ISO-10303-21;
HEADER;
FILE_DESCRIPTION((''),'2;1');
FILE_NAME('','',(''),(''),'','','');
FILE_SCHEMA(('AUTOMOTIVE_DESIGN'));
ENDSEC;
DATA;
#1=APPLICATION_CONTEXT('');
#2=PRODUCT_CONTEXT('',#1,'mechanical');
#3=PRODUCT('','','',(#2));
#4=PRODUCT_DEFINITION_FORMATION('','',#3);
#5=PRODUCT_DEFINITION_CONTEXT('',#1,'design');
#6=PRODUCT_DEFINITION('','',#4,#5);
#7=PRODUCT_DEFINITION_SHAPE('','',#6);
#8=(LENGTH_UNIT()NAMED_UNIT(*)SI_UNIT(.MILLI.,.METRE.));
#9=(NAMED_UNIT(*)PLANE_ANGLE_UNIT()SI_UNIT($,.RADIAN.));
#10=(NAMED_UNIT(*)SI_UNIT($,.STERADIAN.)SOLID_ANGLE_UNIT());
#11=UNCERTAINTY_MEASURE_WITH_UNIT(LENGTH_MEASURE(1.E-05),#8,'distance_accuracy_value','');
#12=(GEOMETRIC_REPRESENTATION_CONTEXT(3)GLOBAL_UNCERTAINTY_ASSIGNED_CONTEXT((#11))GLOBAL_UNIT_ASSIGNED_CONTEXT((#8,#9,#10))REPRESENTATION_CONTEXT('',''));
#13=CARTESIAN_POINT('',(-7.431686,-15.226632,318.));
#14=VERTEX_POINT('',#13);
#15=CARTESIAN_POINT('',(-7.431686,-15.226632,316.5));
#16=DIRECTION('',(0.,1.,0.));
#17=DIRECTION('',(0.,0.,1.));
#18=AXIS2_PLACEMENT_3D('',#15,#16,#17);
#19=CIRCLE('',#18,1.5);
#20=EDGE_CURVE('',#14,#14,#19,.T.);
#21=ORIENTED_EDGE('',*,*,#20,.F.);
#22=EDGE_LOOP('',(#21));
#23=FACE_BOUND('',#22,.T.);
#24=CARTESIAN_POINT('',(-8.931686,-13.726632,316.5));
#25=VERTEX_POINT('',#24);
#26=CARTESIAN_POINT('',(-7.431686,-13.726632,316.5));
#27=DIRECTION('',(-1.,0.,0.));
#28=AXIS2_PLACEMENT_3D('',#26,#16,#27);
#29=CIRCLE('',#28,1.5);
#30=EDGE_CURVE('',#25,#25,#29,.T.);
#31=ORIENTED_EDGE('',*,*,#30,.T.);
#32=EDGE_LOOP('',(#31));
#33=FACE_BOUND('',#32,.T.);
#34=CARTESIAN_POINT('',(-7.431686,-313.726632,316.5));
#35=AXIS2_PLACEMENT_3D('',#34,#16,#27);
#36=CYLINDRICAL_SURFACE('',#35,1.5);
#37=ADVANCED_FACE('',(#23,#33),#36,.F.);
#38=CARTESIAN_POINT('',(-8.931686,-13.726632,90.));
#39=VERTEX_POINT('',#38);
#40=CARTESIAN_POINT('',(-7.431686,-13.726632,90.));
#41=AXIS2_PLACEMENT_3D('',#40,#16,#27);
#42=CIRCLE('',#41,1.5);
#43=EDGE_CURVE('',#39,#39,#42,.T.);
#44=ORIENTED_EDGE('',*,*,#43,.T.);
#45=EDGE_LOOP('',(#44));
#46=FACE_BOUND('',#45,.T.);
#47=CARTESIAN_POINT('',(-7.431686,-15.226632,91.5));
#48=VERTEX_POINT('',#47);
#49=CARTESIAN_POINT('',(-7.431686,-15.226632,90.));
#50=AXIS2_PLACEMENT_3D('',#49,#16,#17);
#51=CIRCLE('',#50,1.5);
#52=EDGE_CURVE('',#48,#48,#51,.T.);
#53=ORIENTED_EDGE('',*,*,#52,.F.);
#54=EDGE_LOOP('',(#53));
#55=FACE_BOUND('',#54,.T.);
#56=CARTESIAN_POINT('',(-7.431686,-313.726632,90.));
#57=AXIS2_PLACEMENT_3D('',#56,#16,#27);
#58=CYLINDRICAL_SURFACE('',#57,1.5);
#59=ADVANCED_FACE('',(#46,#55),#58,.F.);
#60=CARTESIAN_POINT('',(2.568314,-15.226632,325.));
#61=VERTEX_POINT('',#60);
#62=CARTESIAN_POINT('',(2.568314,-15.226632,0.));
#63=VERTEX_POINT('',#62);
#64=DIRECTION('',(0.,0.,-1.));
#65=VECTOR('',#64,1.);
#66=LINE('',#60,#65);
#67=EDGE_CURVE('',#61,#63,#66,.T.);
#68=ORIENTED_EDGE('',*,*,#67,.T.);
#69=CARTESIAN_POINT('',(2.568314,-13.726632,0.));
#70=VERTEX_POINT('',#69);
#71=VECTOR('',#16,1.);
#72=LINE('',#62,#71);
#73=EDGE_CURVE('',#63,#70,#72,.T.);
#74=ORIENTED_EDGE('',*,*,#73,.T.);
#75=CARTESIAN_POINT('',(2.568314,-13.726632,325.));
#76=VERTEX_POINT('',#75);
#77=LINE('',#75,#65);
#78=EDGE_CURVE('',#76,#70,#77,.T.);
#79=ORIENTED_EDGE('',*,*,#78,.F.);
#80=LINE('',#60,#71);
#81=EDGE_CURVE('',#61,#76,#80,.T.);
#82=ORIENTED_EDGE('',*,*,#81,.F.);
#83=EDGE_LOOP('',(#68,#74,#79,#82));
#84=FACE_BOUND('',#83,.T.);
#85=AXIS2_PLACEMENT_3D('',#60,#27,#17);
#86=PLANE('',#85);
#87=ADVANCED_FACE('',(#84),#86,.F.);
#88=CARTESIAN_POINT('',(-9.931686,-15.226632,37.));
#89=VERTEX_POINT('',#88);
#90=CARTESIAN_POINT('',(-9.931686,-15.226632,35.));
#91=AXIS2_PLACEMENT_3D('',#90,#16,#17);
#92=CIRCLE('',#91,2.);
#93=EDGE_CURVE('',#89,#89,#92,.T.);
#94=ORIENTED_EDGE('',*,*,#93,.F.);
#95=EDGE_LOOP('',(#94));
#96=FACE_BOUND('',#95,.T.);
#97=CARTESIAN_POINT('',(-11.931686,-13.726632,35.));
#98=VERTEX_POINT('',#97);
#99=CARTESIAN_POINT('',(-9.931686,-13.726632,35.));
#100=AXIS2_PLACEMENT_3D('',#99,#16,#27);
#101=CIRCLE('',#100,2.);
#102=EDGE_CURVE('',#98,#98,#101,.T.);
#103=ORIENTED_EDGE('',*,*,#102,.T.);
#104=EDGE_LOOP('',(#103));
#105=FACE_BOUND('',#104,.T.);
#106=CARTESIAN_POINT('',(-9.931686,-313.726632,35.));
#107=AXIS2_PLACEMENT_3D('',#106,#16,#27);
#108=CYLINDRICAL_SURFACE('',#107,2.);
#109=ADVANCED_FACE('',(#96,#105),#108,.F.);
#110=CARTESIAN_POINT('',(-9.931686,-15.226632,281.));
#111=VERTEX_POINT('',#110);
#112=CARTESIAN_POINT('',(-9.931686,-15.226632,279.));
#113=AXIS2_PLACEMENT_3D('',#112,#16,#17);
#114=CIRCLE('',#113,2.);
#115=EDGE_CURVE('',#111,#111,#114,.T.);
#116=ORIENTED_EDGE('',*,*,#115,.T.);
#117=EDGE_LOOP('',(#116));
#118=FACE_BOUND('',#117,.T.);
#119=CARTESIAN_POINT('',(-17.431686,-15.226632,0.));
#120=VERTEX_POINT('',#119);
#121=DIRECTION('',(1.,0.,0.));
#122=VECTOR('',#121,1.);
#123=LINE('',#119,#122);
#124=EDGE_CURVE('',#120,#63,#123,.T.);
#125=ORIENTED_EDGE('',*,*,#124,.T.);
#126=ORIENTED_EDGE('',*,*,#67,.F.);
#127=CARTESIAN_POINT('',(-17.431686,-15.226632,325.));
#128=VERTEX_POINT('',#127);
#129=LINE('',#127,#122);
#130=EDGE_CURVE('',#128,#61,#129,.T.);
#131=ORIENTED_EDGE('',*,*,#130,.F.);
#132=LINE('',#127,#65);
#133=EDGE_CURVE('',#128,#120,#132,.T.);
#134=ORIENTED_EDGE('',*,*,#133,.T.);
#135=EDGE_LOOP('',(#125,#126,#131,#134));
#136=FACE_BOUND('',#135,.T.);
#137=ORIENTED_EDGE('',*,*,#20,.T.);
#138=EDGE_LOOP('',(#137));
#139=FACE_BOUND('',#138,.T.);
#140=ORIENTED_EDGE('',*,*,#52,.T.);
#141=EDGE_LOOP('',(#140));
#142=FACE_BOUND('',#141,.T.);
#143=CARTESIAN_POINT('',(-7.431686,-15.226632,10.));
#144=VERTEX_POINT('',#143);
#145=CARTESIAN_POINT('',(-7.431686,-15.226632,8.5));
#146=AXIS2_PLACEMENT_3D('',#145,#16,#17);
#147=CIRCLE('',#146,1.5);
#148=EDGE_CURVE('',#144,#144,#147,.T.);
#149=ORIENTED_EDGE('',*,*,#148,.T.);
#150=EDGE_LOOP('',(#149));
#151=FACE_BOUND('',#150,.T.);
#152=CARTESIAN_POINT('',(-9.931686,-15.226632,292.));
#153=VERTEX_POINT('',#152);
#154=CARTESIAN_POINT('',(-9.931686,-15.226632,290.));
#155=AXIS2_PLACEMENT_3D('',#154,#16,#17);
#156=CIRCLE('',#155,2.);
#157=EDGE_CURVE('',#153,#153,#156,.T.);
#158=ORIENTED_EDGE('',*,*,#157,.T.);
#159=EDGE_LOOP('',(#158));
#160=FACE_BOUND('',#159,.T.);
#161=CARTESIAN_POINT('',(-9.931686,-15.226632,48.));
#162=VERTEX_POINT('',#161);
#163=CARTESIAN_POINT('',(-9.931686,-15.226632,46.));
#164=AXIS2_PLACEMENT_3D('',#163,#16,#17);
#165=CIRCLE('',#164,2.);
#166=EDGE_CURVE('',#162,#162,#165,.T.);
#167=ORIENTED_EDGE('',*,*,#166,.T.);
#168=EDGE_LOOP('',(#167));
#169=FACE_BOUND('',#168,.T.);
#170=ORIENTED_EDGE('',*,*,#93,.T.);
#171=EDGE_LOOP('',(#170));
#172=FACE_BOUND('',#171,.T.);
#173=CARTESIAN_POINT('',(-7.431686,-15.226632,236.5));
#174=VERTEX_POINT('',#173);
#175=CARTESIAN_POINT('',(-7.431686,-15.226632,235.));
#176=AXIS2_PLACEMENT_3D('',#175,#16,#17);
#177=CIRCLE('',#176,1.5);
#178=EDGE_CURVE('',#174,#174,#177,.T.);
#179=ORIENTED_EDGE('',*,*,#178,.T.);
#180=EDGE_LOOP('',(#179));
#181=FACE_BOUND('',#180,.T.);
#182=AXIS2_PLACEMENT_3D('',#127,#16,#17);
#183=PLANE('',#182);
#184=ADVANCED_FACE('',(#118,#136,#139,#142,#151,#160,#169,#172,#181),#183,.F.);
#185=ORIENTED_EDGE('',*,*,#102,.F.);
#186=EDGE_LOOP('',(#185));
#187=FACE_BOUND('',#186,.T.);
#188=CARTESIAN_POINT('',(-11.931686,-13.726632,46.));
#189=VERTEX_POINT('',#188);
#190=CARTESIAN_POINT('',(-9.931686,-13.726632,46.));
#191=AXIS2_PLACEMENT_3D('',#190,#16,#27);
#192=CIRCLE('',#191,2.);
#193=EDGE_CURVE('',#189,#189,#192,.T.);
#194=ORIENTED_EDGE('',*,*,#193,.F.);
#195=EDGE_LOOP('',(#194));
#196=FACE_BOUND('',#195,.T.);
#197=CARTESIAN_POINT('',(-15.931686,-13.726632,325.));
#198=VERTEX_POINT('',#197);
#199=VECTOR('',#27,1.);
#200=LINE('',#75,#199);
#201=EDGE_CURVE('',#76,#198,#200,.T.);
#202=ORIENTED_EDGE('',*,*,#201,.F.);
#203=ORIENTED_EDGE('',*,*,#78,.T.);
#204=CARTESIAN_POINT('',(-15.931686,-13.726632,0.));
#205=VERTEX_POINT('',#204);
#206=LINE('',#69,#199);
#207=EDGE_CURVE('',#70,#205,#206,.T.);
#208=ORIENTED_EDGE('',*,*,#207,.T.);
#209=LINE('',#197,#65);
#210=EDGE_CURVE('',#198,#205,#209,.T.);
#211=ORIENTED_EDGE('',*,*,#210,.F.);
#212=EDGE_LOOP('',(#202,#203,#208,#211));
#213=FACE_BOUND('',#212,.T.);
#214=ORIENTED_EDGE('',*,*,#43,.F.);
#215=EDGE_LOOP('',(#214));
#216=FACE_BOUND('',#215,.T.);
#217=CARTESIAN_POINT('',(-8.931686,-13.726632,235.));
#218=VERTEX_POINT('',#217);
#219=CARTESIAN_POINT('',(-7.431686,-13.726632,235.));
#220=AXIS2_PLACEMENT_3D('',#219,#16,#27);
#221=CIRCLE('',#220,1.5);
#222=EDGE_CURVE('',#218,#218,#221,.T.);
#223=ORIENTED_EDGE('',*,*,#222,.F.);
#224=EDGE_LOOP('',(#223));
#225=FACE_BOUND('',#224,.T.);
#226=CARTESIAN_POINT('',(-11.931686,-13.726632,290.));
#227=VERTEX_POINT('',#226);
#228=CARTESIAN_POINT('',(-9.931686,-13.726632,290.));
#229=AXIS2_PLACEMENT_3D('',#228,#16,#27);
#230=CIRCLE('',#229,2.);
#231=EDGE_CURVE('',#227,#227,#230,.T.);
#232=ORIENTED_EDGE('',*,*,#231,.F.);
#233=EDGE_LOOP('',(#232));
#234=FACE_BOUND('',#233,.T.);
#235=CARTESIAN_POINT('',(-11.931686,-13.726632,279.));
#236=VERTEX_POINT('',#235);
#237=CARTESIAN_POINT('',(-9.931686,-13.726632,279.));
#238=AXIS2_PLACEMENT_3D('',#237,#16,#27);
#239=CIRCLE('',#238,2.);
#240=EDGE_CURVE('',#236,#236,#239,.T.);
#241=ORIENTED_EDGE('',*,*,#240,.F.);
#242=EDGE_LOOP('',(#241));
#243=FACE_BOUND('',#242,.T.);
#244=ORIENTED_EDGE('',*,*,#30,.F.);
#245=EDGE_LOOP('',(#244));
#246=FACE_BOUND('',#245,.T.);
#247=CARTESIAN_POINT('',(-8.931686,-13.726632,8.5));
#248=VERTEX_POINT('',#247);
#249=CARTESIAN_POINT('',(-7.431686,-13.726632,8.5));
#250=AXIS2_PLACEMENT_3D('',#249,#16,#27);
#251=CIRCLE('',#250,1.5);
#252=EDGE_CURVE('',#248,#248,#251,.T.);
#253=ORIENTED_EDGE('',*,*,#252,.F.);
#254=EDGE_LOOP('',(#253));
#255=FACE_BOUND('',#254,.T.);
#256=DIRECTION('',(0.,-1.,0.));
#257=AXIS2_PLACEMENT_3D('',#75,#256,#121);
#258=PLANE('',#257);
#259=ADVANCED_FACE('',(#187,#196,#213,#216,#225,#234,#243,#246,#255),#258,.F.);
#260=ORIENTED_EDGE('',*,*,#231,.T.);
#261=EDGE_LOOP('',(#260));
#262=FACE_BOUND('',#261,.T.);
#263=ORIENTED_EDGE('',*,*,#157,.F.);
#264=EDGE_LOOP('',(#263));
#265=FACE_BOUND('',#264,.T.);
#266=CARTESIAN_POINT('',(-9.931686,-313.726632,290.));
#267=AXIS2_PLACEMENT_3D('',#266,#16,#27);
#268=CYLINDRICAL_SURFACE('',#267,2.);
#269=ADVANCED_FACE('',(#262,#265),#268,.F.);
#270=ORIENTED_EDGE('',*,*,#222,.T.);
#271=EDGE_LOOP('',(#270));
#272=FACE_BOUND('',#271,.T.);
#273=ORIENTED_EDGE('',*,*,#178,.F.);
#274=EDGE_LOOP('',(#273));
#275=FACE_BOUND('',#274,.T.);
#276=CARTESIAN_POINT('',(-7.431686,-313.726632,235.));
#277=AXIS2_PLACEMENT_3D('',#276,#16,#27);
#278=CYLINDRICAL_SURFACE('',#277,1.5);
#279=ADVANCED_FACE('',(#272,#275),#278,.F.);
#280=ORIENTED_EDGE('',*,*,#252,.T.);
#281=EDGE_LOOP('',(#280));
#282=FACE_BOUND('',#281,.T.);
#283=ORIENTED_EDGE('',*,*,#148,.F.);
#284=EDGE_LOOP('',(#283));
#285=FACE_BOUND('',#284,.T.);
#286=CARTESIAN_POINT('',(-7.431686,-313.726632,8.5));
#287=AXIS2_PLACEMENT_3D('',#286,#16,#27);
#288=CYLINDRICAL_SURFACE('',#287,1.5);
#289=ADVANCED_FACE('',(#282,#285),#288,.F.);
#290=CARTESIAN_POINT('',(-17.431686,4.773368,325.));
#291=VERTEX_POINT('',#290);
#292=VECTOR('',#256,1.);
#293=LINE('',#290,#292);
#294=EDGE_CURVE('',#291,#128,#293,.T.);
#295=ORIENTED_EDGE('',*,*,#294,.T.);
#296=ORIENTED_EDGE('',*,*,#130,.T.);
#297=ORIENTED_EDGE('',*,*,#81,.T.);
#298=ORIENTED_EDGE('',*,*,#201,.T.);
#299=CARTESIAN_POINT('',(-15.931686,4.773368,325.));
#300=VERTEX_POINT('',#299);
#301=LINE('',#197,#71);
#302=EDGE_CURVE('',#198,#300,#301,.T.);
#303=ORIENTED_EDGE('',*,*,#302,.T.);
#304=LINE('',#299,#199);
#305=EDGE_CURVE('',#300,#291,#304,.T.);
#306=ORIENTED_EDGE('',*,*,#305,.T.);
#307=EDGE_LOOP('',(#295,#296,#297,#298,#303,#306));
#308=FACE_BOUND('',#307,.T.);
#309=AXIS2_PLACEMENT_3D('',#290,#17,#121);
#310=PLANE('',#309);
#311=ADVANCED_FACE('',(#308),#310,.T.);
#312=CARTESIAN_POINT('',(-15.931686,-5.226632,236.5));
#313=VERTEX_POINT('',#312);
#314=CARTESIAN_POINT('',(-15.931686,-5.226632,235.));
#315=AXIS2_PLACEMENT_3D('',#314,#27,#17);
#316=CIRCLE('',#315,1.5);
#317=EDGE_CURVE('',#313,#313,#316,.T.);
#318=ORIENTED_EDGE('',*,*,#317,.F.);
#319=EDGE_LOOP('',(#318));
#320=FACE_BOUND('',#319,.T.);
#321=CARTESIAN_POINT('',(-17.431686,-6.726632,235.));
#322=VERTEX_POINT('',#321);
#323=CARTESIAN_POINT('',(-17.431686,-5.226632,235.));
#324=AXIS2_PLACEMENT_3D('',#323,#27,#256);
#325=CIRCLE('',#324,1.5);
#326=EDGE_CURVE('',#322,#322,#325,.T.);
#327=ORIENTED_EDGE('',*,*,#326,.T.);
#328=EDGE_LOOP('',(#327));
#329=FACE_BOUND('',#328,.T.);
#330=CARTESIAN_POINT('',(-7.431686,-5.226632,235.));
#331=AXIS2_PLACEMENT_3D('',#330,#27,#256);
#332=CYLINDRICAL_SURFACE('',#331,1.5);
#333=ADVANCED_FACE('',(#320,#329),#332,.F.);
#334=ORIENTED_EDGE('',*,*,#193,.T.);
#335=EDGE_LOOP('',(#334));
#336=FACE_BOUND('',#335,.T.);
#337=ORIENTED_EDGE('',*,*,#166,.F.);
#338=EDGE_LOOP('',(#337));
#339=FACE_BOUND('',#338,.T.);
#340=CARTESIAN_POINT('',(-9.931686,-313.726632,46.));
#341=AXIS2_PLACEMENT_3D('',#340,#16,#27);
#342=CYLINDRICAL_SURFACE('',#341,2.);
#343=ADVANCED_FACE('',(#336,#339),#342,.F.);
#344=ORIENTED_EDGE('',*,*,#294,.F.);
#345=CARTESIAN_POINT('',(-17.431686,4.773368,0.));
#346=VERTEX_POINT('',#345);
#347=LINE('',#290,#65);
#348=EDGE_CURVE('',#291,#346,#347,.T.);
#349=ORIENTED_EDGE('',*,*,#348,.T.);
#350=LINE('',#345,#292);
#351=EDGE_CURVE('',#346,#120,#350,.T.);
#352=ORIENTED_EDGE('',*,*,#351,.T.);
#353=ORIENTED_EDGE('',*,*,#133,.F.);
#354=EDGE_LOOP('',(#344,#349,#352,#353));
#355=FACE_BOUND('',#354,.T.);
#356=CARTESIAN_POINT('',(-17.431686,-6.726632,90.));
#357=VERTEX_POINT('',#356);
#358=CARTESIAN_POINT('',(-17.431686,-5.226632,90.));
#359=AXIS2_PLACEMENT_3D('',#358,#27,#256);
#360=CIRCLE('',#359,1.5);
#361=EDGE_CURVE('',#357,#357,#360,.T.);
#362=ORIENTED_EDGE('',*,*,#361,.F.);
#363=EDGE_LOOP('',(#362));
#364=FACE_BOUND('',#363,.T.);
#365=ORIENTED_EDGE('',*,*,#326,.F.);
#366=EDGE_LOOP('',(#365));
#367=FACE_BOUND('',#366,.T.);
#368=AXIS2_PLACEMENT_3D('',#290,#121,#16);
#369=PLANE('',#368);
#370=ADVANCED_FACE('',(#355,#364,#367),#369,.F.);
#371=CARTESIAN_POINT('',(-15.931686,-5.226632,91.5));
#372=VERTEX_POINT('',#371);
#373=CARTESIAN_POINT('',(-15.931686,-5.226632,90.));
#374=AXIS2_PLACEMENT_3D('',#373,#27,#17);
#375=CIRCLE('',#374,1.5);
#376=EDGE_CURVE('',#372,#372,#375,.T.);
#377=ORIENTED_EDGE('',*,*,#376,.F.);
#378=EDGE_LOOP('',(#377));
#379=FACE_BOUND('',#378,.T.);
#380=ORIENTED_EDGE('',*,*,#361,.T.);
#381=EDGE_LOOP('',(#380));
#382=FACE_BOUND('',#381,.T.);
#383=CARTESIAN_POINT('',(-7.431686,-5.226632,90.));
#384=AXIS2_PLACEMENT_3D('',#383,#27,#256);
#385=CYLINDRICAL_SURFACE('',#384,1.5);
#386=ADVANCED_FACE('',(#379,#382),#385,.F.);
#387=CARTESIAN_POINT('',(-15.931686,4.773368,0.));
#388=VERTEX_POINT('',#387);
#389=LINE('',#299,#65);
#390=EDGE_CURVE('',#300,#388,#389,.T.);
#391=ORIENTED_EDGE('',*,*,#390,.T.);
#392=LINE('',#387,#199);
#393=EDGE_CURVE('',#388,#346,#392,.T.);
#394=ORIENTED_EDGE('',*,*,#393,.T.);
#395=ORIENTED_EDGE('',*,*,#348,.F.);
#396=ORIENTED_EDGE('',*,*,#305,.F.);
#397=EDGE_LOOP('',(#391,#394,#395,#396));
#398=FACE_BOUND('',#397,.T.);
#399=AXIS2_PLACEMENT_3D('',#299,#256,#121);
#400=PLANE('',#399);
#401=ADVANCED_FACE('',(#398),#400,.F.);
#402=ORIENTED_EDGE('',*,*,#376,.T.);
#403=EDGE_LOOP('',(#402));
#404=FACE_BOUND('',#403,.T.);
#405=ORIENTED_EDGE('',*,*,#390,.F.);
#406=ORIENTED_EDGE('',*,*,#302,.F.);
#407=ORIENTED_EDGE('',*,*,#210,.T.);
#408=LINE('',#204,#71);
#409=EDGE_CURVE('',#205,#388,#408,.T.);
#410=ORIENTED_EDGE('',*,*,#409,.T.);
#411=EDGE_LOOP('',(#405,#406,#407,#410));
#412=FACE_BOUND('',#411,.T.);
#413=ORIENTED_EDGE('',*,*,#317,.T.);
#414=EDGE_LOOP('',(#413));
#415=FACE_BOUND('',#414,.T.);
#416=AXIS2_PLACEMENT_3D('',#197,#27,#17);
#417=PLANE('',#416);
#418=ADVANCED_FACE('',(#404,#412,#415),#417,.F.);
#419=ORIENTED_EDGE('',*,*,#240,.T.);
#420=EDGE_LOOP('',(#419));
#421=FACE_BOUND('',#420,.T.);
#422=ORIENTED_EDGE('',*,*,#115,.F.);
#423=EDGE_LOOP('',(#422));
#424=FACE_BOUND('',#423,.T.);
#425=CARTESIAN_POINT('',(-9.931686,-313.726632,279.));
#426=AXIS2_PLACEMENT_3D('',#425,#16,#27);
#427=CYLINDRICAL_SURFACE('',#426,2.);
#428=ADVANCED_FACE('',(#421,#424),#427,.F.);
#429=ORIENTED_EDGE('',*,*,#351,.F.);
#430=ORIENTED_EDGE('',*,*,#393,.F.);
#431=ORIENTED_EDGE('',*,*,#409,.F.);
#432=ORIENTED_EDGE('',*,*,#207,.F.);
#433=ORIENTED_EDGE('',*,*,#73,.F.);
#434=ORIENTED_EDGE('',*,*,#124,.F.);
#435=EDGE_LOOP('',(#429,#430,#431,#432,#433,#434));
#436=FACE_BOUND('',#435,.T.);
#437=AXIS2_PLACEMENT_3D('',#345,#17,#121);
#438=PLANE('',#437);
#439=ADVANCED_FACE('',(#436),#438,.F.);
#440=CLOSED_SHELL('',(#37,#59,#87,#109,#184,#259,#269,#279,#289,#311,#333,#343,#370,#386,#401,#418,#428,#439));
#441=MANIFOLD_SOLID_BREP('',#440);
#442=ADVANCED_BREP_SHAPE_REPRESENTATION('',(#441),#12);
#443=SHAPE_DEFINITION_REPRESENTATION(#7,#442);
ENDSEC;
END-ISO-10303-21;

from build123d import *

# Parameters (mm, degrees)
EXTRUSION1_DEPTH = 325
ESQUISSE2_R      = 1.5
ESQUISSE2_R_2    = 2
EXTRUSION2_DEPTH = 300
ESQUISSE3_R      = 1.5
EXTRUSION3_DEPTH = 10


with BuildPart() as part:
    # Esquisse1 → Extrusion1 (new body)
    with BuildSketch(Plane.XY):
        Polygon((-17.43168638, 4.773368421), (-17.43168638, -15.226631579), (2.56831362, -15.226631579), (2.56831362, -13.726631579), (-15.93168638, -13.726631579), (-15.93168638, 4.773368421), align=None)
    extrude(amount=EXTRUSION1_DEPTH)

    # Esquisse2 → Extrusion2 (cut)
    with BuildSketch(Plane(origin=(0, -13.726631579, 0), x_dir=(-1, 0, 0), z_dir=(0, 1, 0))):
        with Locations((7.43168638, 8.5)):
            Circle(ESQUISSE2_R)
        with Locations((7.43168638, 316.5)):
            Circle(ESQUISSE2_R)
        with Locations((9.93168638, 35)):
            Circle(ESQUISSE2_R_2)
        with Locations((9.93168638, 46)):
            Circle(ESQUISSE2_R_2)
        with Locations((9.93168638, 290)):
            Circle(ESQUISSE2_R_2)
        with Locations((9.93168638, 279)):
            Circle(ESQUISSE2_R_2)
        with Locations((7.43168638, 235)):
            Circle(ESQUISSE2_R)
        with Locations((7.43168638, 90)):
            Circle(ESQUISSE2_R)
    extrude(amount=-EXTRUSION2_DEPTH, mode=Mode.SUBTRACT)

    # Esquisse3 → Extrusion3 (cut)
    with BuildSketch(Plane.ZY.offset(17.43168638)):
        with Locations(Location((235, -5.226631579, 0), (0, 0, 270))):
            Circle(ESQUISSE3_R)
        with Locations(Location((90, -5.226631579, 0), (0, 0, 270))):
            Circle(ESQUISSE3_R)
    extrude(amount=-EXTRUSION3_DEPTH, mode=Mode.SUBTRACT)


solid = part.part
